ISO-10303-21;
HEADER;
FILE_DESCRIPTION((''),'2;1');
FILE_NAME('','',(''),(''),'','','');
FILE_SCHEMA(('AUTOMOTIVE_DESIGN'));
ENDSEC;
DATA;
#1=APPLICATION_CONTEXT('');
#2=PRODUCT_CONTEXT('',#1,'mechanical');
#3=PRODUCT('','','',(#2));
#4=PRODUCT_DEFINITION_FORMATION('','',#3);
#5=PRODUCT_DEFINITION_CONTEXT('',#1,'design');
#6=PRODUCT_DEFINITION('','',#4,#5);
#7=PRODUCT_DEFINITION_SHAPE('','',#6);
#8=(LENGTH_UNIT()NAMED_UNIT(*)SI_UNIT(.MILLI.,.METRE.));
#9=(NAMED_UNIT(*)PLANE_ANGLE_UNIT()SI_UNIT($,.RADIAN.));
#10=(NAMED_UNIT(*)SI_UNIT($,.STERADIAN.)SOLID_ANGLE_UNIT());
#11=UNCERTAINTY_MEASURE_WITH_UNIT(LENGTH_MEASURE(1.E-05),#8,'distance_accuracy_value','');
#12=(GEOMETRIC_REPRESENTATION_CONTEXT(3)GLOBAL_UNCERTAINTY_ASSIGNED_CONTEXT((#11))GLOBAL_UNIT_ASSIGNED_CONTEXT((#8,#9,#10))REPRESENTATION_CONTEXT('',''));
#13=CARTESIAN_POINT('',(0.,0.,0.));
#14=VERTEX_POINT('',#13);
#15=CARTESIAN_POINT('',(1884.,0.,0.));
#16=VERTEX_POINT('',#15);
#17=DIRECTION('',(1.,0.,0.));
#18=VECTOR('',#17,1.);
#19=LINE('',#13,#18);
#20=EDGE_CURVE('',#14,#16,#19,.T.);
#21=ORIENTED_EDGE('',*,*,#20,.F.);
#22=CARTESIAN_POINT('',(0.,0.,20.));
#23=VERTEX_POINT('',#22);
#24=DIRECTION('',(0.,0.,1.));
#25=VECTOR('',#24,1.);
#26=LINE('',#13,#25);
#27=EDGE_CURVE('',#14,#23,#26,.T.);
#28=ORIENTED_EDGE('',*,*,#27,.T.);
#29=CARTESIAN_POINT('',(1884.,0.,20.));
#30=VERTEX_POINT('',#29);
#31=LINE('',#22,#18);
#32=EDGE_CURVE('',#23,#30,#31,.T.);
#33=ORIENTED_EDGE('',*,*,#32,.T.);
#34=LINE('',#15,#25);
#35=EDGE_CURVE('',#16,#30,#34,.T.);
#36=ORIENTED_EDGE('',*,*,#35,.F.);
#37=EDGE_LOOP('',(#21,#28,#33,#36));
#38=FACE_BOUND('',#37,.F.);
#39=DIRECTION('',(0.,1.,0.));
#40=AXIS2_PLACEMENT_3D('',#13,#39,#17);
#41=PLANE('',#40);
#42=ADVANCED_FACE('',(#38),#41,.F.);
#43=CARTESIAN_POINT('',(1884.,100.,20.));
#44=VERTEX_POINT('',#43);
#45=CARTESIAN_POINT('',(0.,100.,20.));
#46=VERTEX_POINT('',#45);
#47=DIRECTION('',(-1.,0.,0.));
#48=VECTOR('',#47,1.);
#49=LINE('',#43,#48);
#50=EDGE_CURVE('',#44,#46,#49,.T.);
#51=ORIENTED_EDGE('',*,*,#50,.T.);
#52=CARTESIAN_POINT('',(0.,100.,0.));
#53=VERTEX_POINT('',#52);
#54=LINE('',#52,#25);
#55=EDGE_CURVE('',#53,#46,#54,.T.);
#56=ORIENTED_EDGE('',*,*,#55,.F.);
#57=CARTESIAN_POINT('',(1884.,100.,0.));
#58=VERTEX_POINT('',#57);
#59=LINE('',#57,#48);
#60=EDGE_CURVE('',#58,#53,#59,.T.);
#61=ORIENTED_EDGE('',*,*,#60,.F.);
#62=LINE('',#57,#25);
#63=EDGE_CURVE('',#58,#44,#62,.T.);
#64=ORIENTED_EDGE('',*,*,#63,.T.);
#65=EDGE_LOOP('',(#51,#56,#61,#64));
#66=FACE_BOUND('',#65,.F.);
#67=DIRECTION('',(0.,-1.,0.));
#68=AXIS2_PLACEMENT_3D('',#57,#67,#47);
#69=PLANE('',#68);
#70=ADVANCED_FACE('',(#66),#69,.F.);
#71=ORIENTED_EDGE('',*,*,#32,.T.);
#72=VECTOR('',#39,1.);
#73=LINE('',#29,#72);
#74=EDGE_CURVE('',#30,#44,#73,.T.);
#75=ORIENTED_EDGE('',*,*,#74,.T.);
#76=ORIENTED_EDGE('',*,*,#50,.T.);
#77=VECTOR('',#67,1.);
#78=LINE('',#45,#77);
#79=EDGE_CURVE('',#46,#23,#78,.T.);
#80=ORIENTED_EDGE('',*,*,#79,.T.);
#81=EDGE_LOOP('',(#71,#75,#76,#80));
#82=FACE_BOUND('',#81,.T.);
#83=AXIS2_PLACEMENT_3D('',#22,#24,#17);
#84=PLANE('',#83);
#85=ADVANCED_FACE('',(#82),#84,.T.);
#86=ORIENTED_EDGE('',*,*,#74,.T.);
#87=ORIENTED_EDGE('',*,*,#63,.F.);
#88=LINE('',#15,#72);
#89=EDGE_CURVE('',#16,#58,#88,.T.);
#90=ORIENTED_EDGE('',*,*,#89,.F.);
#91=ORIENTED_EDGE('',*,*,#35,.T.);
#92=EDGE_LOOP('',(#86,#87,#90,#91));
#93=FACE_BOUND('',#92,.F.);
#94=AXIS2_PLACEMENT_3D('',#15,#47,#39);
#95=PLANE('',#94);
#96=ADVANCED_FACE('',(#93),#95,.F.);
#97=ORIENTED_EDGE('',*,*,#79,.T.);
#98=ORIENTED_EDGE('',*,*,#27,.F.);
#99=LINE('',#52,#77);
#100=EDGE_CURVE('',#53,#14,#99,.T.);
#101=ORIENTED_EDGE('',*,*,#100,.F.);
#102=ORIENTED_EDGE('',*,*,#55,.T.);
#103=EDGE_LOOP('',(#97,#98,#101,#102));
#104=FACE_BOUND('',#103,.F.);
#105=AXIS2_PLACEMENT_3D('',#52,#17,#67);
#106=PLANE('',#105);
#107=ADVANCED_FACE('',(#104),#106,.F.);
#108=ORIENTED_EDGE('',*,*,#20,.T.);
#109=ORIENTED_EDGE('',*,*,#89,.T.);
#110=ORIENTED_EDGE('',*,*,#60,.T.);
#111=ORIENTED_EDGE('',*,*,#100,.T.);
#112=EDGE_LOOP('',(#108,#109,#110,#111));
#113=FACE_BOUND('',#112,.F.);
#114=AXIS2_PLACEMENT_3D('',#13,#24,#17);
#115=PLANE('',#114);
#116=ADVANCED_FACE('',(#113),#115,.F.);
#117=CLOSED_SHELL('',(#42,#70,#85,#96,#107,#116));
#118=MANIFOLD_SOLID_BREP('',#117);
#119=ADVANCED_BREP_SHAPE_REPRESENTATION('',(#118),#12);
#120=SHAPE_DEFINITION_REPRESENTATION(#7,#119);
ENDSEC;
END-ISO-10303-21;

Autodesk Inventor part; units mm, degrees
ref_plane "YZ Plane" through (0, 0, 0) normal (1, 0, 0) x (0, 1, 0)
ref_plane "XZ Plane" through (0, 0, 0) normal (0, 1, 0) x (-1, 0, 0)
ref_plane "XY Plane" through (0, 0, 0) normal (0, 0, 1) x (1, 0, 0)
sketch "Sketch1" plane through (0, 0, 0) normal (0, 0, 1) x (1, 0, 0)
  line L0 (0, 0) -> (1884, 0)
  line L1 (1884, 0) -> (1884, 100)
  line L2 (1884, 100) -> (0, 100)
  line L3 (0, 100) -> (0, 0)
  dimension "d0" = 1884
  dimension "d1" = 100
extrude "Extrusion1" add sketch "Sketch1" along normal blind 20
equation "\"d0\" = trinbredde"
equation "\"d1\" = trinhoejde"
equation "\"pladetykkelse\" = 3"
equation "\"trappevinkel\" = 34.3deg"
equation "\"trappestifter_dia\" = 25"
equation "\"trappestifter_huldia\" = 25.8"
equation "\"trappestifter_skraa_huldia\" = 26.6"
equation "\"trappestifter_laengde\" = 228"
equation "\"perforeringsbredde\" = 6"
equation "\"perforeringshullaengde\" = 62.8"
equation "\"perforeringshullaengde_top\" = 61"
equation "\"perforeringshullaengde_bund\" = 61.6"
equation "\"perforeringsoffset\" = 8"
equation "\"perforeringsoffset_top\" = 8"
equation "\"perforeringsoffset_bund\" = 8"
equation "\"laskehul_dia\" = 13"
equation "\"balusterhul_udvidelse\" = 1"
equation "\"trinbredde\" = 1884"
equation "\"trinhoejde\" = 100"
properties part number "trinbrædt" material "Wood (Birch)"
